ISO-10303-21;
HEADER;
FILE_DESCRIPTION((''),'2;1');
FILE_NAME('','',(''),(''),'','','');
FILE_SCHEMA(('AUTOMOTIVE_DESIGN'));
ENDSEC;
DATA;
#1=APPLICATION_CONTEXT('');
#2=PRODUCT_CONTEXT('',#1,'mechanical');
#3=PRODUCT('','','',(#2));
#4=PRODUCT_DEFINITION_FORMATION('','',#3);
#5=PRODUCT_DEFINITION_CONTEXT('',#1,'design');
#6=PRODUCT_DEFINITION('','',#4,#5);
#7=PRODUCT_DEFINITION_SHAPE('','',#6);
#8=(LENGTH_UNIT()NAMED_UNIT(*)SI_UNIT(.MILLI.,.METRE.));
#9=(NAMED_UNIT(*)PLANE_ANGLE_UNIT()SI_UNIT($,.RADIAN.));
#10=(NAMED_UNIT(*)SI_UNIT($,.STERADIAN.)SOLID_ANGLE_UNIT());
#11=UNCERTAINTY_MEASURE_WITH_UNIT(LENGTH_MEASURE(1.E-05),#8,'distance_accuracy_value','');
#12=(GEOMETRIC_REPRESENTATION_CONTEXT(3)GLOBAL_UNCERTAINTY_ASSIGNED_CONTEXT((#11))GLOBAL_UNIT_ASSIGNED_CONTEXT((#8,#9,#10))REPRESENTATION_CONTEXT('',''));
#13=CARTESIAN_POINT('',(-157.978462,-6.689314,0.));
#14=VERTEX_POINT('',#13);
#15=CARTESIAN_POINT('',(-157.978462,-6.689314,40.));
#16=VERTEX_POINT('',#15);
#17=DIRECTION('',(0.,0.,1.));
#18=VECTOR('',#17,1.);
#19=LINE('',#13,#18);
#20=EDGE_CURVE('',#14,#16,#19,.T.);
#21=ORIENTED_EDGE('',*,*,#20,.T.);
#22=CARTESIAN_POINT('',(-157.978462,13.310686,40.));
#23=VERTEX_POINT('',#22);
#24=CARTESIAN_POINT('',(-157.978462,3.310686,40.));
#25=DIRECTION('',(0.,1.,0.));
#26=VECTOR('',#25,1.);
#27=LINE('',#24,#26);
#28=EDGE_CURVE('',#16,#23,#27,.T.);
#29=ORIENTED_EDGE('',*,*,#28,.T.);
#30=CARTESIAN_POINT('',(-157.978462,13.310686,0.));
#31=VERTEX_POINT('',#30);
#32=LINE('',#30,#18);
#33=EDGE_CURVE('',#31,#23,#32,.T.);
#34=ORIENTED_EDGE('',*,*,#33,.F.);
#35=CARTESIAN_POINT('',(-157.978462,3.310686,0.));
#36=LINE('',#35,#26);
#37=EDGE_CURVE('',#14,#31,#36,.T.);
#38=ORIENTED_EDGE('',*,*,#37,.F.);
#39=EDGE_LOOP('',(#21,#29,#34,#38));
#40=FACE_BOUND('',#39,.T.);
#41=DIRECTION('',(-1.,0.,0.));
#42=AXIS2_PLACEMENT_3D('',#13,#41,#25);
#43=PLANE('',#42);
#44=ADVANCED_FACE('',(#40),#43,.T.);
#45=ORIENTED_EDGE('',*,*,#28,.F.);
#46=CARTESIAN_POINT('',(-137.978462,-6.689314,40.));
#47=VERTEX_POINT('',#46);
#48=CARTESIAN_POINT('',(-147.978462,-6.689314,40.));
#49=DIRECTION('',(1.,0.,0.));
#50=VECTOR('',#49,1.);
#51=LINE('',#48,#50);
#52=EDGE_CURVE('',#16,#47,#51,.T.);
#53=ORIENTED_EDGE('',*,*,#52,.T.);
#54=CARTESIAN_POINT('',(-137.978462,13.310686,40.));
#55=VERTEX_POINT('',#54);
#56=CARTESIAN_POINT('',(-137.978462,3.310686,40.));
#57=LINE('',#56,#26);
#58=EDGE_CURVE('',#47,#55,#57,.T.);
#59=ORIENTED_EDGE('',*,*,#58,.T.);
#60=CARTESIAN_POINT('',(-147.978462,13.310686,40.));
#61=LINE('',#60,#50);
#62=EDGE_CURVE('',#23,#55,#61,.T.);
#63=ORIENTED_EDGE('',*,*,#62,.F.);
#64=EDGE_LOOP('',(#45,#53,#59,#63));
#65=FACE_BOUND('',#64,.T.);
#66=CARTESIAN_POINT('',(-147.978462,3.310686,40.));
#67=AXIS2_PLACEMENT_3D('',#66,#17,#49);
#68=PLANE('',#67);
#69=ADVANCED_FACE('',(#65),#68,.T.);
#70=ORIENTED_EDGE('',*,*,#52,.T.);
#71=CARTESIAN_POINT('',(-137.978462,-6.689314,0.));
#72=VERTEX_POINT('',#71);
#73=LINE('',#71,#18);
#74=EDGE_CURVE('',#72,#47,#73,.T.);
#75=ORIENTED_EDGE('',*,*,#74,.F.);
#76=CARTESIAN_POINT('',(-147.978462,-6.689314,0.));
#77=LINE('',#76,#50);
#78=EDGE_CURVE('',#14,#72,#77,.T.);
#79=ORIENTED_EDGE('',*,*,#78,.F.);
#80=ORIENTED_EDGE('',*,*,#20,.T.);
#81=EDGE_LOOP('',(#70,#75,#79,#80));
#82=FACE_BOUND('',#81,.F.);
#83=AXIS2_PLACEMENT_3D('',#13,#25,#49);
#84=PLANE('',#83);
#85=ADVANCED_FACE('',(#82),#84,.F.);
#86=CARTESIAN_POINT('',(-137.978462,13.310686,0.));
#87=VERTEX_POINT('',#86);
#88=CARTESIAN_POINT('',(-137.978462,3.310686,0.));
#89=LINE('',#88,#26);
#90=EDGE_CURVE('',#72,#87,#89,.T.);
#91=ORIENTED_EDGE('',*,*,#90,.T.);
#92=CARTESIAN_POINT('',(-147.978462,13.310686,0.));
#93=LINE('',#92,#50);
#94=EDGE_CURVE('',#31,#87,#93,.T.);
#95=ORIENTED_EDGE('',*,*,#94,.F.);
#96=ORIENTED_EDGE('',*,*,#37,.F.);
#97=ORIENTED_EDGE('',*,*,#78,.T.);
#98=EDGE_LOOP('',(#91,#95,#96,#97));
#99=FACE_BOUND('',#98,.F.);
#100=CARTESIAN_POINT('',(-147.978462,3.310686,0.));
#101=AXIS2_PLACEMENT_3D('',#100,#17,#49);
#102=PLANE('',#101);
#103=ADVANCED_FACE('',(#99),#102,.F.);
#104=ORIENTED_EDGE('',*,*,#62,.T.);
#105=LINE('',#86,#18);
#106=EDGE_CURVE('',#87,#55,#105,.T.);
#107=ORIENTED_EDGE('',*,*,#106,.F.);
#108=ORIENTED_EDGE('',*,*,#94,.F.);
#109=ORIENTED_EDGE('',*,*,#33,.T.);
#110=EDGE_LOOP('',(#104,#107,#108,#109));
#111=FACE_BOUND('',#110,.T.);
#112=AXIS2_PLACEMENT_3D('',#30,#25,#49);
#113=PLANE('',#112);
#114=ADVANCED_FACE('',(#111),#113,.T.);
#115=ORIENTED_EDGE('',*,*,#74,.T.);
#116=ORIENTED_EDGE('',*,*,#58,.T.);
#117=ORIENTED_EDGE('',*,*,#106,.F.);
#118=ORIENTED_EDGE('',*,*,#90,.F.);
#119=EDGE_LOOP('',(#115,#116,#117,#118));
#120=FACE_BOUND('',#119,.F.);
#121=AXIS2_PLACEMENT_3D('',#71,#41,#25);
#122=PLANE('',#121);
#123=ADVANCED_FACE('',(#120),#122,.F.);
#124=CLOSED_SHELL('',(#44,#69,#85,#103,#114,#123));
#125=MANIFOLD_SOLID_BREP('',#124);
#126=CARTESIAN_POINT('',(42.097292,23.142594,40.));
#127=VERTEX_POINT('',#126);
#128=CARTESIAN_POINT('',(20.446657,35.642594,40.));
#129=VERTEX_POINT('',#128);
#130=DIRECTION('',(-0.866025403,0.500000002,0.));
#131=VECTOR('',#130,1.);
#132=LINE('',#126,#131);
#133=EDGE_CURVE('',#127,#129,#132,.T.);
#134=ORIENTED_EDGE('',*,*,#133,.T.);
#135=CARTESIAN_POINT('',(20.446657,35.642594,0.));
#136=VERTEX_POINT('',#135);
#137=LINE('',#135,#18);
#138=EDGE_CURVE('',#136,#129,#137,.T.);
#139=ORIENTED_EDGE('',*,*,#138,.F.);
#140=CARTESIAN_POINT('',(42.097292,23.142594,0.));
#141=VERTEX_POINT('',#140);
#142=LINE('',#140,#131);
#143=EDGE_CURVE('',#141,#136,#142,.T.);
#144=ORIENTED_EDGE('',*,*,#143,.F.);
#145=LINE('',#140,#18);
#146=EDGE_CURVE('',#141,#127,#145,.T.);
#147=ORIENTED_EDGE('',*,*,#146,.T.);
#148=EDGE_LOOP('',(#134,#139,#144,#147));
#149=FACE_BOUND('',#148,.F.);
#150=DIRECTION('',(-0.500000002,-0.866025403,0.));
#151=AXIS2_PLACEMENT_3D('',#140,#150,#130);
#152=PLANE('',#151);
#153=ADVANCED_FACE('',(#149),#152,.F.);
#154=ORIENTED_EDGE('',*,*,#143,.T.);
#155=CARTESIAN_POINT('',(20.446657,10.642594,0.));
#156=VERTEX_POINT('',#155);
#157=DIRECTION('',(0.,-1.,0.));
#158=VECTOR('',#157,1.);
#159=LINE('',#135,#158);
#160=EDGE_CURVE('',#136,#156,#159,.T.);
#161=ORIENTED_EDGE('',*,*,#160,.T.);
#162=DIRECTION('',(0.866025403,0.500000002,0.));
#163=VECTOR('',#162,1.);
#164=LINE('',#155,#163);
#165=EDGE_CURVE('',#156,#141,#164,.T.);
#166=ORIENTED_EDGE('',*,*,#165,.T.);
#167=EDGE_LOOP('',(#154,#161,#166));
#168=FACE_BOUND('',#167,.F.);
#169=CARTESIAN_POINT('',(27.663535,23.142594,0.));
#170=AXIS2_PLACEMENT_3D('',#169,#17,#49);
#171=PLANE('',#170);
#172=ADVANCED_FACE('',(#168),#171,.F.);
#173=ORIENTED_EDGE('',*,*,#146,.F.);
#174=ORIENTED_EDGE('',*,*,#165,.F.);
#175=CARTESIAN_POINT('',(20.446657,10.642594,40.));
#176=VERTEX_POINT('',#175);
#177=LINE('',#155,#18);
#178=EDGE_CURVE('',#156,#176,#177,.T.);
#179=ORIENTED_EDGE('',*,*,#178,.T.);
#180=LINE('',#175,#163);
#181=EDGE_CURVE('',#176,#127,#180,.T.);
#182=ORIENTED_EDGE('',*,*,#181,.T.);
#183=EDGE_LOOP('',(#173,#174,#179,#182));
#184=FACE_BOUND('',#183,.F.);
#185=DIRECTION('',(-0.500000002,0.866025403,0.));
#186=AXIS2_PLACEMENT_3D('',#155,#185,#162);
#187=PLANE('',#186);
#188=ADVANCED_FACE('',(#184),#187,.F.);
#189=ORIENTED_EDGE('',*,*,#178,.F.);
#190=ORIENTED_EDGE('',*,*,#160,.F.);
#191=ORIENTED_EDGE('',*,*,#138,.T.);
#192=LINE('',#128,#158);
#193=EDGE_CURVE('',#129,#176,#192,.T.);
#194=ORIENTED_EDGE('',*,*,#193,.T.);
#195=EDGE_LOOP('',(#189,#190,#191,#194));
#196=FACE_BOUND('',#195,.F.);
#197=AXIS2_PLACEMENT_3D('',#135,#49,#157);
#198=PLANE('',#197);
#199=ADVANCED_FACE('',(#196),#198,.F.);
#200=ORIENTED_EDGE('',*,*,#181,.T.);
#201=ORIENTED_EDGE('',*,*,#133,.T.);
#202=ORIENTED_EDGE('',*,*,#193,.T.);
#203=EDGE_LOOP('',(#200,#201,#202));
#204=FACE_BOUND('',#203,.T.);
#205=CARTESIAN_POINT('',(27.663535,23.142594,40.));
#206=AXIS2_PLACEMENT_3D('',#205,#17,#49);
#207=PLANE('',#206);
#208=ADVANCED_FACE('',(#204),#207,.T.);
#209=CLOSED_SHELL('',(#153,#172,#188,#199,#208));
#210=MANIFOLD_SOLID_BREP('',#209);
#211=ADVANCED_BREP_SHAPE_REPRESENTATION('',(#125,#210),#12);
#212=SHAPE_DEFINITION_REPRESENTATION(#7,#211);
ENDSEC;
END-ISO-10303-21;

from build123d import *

# Parameters (mm, degrees)
F0_W     = 20
F0_H     = 20
F1_DEPTH = 40
F3_DEPTH = 40


with BuildPart() as f1:
    # F0 (on Top) → F1 (new body)
    with BuildSketch(Plane.XY):
        with Locations((-147.978462, 3.310686)):
            Rectangle(F0_W, F0_H)
    extrude(amount=F1_DEPTH)


with BuildPart() as f3:
    # F2 (on Top) → F3 (new body)
    with BuildSketch(Plane.XY):
        Polygon((20.446657, 10.642594), (42.097292, 23.142594), (20.446657, 35.642594), align=None)
    extrude(amount=F3_DEPTH)


solid = Compound([f1.part, f3.part])
